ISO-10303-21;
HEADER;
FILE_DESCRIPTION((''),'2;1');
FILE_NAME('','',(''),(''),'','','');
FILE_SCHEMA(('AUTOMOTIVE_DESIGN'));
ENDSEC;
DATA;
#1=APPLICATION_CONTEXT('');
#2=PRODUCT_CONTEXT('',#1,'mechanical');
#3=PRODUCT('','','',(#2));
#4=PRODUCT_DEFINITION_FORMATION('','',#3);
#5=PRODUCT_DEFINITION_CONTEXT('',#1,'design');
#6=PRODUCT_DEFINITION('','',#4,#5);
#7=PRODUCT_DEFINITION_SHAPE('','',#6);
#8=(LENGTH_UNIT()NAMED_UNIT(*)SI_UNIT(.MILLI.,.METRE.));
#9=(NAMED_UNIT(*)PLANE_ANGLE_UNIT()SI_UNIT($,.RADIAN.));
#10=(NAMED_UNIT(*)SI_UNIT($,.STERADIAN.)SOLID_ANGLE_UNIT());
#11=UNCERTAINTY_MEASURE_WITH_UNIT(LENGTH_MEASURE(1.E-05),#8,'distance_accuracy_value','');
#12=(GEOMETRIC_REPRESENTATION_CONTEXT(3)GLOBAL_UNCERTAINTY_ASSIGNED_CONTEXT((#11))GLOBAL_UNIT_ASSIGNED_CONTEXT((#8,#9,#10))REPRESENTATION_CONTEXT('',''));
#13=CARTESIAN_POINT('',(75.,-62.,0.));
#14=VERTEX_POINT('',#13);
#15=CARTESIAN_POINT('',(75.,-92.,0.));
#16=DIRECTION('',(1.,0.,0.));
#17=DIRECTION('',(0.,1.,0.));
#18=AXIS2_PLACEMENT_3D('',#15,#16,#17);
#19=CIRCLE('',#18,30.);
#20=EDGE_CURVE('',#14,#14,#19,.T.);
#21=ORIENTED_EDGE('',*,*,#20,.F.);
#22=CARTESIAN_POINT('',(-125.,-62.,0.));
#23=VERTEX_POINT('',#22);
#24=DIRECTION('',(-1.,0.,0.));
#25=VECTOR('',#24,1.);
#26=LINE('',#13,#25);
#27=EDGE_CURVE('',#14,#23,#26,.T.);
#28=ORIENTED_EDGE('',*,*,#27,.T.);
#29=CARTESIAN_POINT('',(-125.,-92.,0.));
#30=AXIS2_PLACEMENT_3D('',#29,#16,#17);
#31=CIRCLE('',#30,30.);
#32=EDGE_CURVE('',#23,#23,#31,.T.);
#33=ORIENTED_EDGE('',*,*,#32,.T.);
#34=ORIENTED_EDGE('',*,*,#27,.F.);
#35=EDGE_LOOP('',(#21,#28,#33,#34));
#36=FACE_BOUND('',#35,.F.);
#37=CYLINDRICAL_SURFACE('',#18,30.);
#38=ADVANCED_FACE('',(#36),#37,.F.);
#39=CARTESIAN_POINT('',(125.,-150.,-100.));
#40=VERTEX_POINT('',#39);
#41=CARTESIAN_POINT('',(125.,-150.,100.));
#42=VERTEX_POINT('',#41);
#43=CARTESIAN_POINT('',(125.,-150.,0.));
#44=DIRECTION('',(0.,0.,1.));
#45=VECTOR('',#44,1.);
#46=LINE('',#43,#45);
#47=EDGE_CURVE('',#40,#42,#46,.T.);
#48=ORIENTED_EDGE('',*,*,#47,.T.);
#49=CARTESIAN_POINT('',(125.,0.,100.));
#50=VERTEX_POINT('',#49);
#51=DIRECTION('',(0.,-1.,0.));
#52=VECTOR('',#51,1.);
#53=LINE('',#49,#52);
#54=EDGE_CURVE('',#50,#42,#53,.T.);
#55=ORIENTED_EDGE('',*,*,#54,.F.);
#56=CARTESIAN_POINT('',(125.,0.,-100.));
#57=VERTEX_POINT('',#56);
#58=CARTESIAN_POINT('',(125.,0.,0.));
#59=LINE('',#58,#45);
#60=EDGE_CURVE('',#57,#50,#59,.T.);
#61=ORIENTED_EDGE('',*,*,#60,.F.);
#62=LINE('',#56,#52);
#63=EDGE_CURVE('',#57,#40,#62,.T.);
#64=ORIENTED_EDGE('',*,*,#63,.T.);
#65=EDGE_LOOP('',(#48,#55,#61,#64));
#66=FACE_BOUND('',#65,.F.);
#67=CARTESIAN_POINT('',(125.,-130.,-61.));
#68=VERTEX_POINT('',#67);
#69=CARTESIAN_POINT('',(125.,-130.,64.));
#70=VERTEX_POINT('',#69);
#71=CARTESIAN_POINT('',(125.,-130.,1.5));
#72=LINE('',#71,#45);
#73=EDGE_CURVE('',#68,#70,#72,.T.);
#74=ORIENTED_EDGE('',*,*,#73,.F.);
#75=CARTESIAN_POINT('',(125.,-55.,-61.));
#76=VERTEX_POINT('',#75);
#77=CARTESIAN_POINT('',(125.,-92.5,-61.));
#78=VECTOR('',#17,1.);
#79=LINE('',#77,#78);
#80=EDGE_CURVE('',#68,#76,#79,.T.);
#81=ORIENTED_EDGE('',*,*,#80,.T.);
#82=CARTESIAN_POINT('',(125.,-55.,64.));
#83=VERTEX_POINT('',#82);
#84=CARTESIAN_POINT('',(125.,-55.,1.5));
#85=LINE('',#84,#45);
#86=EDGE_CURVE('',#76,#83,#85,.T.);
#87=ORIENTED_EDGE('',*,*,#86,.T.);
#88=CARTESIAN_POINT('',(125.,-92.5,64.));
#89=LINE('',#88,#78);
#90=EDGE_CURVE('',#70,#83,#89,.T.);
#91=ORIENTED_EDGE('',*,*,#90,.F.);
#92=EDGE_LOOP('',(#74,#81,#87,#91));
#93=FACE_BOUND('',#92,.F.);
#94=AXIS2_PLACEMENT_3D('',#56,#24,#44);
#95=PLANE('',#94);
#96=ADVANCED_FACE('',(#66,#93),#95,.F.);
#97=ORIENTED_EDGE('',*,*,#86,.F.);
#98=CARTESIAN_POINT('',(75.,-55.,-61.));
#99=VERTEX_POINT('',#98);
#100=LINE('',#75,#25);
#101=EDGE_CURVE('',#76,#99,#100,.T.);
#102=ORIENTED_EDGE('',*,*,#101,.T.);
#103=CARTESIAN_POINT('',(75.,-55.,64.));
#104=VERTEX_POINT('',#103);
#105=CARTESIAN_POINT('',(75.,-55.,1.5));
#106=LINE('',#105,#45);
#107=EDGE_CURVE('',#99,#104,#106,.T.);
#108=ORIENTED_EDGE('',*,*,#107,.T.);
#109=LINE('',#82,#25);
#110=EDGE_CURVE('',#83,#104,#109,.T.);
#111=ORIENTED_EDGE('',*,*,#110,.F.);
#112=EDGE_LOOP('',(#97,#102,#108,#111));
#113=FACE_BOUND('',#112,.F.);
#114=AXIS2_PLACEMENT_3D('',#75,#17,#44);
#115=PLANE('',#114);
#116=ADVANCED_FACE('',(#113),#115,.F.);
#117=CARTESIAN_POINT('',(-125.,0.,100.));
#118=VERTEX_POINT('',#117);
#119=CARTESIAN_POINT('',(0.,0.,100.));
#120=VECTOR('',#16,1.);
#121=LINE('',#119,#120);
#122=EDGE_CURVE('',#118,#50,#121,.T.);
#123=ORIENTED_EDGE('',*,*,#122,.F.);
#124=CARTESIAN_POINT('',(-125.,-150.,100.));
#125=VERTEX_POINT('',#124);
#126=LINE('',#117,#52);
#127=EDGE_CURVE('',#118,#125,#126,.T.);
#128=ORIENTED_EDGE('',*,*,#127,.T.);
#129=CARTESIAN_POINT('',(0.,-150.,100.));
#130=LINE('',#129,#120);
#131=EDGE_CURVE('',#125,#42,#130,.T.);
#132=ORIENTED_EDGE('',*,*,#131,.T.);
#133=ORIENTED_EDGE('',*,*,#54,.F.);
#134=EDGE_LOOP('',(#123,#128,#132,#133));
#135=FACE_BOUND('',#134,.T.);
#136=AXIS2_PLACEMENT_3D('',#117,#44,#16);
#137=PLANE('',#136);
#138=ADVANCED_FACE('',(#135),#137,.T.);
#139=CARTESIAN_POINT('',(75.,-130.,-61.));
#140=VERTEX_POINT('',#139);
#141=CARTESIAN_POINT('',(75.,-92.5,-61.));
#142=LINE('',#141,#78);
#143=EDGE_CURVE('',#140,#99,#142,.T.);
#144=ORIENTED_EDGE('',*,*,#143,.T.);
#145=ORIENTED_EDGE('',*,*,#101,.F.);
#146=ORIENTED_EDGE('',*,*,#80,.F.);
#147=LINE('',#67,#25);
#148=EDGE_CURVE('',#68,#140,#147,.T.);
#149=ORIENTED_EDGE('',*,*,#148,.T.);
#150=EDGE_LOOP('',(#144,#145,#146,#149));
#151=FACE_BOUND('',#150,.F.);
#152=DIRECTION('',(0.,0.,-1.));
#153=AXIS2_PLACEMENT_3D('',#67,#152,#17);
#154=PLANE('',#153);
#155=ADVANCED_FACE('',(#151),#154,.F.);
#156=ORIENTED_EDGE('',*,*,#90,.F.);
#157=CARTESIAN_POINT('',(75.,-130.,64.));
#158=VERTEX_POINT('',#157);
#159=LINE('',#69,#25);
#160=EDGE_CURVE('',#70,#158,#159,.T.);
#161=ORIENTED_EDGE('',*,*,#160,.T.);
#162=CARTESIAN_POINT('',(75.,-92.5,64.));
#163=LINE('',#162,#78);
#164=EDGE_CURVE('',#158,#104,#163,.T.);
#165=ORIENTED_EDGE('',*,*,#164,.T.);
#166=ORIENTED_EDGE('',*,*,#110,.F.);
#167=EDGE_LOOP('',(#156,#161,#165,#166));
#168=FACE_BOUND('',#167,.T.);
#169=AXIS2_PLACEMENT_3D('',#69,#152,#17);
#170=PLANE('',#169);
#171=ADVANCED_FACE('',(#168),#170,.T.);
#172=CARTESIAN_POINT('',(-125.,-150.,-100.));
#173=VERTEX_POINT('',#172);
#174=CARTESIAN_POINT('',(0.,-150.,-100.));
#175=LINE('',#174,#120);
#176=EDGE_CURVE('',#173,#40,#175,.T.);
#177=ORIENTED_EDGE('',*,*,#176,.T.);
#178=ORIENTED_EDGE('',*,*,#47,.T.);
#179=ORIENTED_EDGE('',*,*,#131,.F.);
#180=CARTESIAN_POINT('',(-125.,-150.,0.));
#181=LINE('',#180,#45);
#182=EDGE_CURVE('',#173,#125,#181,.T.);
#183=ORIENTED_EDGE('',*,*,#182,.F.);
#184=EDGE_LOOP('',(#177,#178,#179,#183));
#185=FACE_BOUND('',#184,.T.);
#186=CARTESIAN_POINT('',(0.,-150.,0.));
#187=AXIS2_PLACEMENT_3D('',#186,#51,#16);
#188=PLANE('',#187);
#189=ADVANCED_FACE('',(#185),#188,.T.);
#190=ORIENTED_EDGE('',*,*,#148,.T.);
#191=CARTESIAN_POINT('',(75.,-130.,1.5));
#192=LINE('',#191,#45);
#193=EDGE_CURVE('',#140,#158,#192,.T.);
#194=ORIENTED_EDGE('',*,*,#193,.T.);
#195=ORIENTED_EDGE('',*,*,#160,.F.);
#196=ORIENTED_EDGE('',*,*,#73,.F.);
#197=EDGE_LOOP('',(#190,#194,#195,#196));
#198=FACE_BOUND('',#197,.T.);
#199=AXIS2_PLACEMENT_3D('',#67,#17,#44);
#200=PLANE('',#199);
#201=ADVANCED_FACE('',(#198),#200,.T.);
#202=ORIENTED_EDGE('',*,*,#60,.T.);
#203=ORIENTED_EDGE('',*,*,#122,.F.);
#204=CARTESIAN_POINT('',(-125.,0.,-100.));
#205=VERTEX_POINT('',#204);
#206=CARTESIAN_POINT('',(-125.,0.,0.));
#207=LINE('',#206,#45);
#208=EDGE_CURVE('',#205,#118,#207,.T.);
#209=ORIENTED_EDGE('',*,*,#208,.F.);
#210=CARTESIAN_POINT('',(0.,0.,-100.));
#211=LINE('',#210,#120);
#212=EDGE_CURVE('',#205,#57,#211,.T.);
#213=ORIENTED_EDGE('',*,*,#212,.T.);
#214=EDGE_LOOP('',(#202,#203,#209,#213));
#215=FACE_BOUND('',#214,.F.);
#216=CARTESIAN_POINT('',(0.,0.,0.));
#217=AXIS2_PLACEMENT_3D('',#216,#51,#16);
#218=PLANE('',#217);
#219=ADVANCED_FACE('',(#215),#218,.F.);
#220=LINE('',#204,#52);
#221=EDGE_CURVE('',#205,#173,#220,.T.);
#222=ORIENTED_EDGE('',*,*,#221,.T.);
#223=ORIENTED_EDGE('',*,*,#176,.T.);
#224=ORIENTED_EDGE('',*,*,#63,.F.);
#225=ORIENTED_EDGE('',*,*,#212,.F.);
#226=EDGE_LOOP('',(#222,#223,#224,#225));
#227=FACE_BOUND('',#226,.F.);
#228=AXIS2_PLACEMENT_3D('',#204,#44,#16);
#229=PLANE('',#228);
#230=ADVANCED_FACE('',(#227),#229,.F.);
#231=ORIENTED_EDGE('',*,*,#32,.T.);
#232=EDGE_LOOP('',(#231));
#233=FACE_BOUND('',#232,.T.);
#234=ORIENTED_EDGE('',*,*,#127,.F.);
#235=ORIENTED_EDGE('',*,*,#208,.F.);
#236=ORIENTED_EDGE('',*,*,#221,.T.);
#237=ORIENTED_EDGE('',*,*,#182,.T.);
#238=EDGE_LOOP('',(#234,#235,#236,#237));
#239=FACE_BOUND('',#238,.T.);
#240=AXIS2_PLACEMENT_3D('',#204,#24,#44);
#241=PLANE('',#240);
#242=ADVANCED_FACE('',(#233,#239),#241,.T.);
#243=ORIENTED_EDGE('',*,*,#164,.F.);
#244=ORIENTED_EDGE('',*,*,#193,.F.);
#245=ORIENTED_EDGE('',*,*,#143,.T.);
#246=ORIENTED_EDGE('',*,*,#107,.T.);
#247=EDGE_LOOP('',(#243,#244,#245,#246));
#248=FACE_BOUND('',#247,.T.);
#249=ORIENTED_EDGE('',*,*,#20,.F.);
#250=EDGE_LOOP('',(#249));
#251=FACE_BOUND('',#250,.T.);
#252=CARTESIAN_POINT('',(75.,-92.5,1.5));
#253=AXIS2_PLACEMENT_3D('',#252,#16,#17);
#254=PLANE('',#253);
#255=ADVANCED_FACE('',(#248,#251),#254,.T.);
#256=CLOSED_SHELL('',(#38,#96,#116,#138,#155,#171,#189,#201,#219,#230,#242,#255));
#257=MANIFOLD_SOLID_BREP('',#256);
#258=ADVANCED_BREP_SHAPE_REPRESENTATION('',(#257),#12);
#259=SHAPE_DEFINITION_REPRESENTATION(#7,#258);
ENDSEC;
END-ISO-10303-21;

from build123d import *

# Parameters (mm, degrees)
F0_W      = 127.6799589396
F0_H      = 51.2897223234
F1_DEPTH  = 114.3676936626
F2_W      = 115.8702634275
F2_H      = 50.820171833
F3_DEPTH  = 25
F4_DEPTH  = 30
F7_W      = 250
F7_H      = 200
F8_DEPTH  = 150
F9_W      = 75
F9_H      = 125
F10_DEPTH = 50
F11_R     = 30
F12_DEPTH = 200.001


with BuildPart() as f1:
    # F0 (on Front) → F1 (new body)
    with BuildSketch(Plane.XZ):
        with Locations((63.8399794698, -56.7509904504)):
            Rectangle(F0_W, F0_H)
    extrude(amount=F1_DEPTH)


with BuildPart() as f3:
    # F2 (on Front) → F3 (new body)
    with BuildSketch(Plane.XZ):
        with Locations((103.8953531533, 116.1821186543)):
            Rectangle(F2_W, F2_H)
    extrude(amount=F3_DEPTH)

    # F4 (add): a face of the model
    f4_faces = [f3.faces().sort_by_distance(p)[0] for p in [
        (103.8953531533, -25, 116.1821186543),
    ]]
    extrude(f4_faces, amount=F4_DEPTH)


with BuildPart() as f8:
    # F7 (on Front) → F8 (new body)
    with BuildSketch(Plane.XZ):
        Rectangle(F7_W, F7_H)
    extrude(amount=F8_DEPTH)

    # F9 (on face) → F10 (cut)
    with BuildSketch(Plane.YZ.offset(125)):
        with Locations((-92.5, 1.5)):
            Rectangle(F9_W, F9_H)
    extrude(amount=-F10_DEPTH, mode=Mode.SUBTRACT)

    # F11 (on face) → F12 (cut, through all)
    with BuildSketch(Plane.YZ.offset(75)):
        with Locations((-92, 0)):
            Circle(F11_R)
    extrude(amount=-F12_DEPTH, mode=Mode.SUBTRACT)


solid = f8.part
